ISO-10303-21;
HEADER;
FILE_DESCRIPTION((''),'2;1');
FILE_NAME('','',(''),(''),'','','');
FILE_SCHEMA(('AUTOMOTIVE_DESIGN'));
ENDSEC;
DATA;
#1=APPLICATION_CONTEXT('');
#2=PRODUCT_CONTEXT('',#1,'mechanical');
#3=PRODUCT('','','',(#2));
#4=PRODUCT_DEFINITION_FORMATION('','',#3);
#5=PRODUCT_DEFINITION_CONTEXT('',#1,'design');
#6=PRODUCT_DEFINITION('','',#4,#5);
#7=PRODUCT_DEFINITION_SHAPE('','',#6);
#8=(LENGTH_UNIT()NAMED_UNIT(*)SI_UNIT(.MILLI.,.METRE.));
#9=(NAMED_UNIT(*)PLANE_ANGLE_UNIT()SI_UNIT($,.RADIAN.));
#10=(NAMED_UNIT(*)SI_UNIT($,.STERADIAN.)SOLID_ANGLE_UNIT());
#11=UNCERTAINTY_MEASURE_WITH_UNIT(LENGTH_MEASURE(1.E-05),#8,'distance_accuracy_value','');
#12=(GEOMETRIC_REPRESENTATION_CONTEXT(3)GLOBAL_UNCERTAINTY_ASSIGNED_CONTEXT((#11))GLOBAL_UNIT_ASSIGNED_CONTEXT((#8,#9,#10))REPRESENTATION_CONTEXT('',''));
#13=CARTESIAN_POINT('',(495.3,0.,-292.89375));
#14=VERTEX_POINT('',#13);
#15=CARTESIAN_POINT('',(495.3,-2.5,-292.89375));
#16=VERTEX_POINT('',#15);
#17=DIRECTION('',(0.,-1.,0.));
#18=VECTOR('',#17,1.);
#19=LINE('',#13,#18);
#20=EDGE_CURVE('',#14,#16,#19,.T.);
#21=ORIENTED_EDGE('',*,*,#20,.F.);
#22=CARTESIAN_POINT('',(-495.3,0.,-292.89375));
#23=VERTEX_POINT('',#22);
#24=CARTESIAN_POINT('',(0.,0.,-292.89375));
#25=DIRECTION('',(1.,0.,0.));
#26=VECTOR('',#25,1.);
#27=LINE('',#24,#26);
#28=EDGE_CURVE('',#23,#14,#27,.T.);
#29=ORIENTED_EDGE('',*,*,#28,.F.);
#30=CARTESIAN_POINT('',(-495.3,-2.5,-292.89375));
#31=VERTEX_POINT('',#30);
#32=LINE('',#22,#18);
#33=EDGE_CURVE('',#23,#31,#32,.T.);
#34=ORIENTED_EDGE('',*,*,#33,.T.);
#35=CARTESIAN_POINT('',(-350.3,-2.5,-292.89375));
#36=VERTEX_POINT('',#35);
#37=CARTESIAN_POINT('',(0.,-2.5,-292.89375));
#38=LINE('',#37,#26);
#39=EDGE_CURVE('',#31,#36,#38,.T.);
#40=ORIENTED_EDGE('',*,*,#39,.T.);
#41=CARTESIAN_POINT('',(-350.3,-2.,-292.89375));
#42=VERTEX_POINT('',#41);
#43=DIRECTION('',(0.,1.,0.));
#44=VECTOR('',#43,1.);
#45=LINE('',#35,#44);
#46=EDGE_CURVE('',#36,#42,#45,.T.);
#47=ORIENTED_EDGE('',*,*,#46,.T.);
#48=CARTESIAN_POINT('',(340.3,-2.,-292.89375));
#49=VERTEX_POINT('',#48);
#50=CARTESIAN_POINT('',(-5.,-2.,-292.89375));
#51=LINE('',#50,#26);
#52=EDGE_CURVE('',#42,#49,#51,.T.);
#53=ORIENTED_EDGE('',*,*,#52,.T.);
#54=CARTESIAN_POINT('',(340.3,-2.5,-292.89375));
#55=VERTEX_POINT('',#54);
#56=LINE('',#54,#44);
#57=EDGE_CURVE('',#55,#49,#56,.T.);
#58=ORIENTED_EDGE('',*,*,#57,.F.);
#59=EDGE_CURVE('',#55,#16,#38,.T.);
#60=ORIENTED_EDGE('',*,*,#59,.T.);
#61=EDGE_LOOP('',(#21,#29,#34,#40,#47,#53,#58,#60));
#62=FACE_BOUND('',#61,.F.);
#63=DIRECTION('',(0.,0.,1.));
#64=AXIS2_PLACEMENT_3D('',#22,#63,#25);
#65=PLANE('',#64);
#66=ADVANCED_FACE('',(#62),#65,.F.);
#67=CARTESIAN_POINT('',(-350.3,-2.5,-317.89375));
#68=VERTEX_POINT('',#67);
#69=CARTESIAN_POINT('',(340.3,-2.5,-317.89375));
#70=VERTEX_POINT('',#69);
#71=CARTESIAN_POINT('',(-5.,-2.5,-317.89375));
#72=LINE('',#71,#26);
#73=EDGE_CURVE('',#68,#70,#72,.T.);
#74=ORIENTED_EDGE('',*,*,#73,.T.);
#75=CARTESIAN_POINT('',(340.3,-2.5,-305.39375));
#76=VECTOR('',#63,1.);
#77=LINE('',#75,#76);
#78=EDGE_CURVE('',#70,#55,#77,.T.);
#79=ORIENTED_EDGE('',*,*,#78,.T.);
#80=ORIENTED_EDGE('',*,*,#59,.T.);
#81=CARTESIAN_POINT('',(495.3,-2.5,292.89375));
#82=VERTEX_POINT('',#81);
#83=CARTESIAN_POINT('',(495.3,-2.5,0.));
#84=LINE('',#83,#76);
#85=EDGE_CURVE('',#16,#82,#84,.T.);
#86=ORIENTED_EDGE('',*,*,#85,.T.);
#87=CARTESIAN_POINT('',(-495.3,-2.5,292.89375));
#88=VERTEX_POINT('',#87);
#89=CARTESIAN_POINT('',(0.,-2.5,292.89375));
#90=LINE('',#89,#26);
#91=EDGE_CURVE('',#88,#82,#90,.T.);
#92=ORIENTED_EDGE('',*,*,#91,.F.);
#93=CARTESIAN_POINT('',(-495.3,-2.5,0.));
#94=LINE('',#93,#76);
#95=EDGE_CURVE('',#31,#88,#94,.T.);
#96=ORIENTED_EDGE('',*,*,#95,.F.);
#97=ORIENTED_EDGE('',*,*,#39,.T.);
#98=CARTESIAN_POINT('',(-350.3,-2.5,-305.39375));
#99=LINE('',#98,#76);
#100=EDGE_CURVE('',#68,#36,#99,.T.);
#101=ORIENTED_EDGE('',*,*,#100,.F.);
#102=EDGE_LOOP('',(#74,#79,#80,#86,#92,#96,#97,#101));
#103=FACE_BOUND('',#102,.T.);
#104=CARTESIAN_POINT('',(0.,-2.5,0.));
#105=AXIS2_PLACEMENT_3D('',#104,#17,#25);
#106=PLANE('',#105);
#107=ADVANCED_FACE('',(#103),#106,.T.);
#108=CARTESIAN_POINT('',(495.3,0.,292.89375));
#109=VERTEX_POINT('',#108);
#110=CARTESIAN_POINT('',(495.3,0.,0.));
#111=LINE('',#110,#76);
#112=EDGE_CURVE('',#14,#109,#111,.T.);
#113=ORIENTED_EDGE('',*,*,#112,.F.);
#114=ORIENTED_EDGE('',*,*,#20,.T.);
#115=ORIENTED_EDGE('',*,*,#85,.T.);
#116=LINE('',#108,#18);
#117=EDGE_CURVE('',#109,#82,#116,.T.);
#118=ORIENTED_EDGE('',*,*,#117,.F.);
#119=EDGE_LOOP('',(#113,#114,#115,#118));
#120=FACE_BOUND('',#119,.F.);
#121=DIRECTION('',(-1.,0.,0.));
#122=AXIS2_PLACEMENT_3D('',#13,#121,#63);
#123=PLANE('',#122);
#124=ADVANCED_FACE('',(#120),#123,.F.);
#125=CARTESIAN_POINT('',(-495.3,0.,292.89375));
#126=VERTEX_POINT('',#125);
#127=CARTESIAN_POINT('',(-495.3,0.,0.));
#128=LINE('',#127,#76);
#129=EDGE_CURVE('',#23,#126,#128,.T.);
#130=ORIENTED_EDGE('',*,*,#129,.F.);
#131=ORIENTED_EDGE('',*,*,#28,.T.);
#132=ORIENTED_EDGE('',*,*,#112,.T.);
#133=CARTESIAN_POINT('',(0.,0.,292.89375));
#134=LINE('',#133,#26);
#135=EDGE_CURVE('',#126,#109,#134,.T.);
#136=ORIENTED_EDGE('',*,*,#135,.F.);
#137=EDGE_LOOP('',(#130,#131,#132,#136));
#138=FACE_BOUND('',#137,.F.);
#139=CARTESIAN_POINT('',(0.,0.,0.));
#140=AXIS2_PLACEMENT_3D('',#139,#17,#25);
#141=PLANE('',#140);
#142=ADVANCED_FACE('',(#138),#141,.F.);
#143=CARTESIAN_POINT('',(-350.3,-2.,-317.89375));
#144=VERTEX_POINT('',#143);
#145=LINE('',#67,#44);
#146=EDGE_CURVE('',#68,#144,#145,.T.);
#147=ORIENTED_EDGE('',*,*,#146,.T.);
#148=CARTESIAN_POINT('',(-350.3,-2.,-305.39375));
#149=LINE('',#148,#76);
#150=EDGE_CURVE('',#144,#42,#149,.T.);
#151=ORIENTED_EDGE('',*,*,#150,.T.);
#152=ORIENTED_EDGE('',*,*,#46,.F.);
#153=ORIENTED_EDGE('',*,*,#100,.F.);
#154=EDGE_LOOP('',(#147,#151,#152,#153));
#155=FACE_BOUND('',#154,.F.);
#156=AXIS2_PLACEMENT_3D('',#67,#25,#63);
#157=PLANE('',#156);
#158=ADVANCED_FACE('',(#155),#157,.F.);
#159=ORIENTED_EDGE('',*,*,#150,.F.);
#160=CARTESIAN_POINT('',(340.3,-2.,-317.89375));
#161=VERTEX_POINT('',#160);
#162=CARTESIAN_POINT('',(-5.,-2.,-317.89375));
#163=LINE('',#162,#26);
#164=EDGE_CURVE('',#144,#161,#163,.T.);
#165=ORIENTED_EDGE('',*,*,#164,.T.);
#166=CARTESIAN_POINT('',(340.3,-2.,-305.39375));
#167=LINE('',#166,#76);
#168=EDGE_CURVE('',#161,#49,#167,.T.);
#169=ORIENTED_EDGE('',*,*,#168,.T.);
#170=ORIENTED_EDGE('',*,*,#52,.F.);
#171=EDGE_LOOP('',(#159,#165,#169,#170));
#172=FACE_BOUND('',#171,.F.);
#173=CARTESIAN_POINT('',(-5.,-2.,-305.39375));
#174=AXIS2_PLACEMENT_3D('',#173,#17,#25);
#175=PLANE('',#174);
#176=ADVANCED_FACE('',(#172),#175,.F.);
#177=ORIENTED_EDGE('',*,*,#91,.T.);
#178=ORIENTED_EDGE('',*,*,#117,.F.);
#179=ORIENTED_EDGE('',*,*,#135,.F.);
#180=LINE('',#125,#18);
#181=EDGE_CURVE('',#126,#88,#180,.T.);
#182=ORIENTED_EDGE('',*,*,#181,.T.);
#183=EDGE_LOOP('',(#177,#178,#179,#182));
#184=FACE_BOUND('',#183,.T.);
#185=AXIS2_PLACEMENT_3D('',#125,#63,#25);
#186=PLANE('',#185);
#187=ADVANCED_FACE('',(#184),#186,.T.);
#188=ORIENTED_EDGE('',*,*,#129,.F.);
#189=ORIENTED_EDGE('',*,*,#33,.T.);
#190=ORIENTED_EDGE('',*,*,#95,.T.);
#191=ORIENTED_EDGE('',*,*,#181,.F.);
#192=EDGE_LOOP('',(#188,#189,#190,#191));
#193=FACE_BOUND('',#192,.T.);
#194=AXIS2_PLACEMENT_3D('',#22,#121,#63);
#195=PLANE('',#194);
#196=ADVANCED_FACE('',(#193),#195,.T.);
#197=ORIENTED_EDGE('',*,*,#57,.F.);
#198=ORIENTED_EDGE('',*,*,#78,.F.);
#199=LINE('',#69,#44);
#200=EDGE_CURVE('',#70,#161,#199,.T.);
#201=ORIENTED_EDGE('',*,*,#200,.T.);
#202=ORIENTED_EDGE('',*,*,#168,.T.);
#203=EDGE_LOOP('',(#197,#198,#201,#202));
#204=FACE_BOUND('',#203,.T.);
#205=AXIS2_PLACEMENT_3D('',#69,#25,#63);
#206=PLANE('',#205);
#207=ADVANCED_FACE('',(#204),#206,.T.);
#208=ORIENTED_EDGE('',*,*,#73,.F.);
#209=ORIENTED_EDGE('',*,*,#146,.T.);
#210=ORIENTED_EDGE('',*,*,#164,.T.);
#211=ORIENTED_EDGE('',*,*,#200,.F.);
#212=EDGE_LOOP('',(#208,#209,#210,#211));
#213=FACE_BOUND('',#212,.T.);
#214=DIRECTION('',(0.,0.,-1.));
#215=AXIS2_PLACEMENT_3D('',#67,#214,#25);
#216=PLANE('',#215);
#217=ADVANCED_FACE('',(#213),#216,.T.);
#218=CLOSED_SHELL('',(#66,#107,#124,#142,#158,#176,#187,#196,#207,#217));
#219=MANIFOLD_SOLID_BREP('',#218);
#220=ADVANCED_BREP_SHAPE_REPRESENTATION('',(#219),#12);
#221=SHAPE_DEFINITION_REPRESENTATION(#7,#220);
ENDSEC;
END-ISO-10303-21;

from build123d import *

# Parameters (mm, degrees)
F0_W     = 990.6
F0_H     = 585.7875
F1_DEPTH = 2.5
F2_W     = 690.6
F2_H     = 25
F3_DEPTH = 0.5


with BuildPart() as f1:
    # F0 (on Front) → F1 (new body)
    with BuildSketch(Plane.XZ):
        Rectangle(F0_W, F0_H)
    extrude(amount=F1_DEPTH)

    # F2 (on face) → F3 (join)
    with BuildSketch(Plane.XZ.offset(2.5)):
        with Locations((-5, -305.39375)):
            Rectangle(F2_W, F2_H)
    extrude(amount=-F3_DEPTH)


solid = f1.part
